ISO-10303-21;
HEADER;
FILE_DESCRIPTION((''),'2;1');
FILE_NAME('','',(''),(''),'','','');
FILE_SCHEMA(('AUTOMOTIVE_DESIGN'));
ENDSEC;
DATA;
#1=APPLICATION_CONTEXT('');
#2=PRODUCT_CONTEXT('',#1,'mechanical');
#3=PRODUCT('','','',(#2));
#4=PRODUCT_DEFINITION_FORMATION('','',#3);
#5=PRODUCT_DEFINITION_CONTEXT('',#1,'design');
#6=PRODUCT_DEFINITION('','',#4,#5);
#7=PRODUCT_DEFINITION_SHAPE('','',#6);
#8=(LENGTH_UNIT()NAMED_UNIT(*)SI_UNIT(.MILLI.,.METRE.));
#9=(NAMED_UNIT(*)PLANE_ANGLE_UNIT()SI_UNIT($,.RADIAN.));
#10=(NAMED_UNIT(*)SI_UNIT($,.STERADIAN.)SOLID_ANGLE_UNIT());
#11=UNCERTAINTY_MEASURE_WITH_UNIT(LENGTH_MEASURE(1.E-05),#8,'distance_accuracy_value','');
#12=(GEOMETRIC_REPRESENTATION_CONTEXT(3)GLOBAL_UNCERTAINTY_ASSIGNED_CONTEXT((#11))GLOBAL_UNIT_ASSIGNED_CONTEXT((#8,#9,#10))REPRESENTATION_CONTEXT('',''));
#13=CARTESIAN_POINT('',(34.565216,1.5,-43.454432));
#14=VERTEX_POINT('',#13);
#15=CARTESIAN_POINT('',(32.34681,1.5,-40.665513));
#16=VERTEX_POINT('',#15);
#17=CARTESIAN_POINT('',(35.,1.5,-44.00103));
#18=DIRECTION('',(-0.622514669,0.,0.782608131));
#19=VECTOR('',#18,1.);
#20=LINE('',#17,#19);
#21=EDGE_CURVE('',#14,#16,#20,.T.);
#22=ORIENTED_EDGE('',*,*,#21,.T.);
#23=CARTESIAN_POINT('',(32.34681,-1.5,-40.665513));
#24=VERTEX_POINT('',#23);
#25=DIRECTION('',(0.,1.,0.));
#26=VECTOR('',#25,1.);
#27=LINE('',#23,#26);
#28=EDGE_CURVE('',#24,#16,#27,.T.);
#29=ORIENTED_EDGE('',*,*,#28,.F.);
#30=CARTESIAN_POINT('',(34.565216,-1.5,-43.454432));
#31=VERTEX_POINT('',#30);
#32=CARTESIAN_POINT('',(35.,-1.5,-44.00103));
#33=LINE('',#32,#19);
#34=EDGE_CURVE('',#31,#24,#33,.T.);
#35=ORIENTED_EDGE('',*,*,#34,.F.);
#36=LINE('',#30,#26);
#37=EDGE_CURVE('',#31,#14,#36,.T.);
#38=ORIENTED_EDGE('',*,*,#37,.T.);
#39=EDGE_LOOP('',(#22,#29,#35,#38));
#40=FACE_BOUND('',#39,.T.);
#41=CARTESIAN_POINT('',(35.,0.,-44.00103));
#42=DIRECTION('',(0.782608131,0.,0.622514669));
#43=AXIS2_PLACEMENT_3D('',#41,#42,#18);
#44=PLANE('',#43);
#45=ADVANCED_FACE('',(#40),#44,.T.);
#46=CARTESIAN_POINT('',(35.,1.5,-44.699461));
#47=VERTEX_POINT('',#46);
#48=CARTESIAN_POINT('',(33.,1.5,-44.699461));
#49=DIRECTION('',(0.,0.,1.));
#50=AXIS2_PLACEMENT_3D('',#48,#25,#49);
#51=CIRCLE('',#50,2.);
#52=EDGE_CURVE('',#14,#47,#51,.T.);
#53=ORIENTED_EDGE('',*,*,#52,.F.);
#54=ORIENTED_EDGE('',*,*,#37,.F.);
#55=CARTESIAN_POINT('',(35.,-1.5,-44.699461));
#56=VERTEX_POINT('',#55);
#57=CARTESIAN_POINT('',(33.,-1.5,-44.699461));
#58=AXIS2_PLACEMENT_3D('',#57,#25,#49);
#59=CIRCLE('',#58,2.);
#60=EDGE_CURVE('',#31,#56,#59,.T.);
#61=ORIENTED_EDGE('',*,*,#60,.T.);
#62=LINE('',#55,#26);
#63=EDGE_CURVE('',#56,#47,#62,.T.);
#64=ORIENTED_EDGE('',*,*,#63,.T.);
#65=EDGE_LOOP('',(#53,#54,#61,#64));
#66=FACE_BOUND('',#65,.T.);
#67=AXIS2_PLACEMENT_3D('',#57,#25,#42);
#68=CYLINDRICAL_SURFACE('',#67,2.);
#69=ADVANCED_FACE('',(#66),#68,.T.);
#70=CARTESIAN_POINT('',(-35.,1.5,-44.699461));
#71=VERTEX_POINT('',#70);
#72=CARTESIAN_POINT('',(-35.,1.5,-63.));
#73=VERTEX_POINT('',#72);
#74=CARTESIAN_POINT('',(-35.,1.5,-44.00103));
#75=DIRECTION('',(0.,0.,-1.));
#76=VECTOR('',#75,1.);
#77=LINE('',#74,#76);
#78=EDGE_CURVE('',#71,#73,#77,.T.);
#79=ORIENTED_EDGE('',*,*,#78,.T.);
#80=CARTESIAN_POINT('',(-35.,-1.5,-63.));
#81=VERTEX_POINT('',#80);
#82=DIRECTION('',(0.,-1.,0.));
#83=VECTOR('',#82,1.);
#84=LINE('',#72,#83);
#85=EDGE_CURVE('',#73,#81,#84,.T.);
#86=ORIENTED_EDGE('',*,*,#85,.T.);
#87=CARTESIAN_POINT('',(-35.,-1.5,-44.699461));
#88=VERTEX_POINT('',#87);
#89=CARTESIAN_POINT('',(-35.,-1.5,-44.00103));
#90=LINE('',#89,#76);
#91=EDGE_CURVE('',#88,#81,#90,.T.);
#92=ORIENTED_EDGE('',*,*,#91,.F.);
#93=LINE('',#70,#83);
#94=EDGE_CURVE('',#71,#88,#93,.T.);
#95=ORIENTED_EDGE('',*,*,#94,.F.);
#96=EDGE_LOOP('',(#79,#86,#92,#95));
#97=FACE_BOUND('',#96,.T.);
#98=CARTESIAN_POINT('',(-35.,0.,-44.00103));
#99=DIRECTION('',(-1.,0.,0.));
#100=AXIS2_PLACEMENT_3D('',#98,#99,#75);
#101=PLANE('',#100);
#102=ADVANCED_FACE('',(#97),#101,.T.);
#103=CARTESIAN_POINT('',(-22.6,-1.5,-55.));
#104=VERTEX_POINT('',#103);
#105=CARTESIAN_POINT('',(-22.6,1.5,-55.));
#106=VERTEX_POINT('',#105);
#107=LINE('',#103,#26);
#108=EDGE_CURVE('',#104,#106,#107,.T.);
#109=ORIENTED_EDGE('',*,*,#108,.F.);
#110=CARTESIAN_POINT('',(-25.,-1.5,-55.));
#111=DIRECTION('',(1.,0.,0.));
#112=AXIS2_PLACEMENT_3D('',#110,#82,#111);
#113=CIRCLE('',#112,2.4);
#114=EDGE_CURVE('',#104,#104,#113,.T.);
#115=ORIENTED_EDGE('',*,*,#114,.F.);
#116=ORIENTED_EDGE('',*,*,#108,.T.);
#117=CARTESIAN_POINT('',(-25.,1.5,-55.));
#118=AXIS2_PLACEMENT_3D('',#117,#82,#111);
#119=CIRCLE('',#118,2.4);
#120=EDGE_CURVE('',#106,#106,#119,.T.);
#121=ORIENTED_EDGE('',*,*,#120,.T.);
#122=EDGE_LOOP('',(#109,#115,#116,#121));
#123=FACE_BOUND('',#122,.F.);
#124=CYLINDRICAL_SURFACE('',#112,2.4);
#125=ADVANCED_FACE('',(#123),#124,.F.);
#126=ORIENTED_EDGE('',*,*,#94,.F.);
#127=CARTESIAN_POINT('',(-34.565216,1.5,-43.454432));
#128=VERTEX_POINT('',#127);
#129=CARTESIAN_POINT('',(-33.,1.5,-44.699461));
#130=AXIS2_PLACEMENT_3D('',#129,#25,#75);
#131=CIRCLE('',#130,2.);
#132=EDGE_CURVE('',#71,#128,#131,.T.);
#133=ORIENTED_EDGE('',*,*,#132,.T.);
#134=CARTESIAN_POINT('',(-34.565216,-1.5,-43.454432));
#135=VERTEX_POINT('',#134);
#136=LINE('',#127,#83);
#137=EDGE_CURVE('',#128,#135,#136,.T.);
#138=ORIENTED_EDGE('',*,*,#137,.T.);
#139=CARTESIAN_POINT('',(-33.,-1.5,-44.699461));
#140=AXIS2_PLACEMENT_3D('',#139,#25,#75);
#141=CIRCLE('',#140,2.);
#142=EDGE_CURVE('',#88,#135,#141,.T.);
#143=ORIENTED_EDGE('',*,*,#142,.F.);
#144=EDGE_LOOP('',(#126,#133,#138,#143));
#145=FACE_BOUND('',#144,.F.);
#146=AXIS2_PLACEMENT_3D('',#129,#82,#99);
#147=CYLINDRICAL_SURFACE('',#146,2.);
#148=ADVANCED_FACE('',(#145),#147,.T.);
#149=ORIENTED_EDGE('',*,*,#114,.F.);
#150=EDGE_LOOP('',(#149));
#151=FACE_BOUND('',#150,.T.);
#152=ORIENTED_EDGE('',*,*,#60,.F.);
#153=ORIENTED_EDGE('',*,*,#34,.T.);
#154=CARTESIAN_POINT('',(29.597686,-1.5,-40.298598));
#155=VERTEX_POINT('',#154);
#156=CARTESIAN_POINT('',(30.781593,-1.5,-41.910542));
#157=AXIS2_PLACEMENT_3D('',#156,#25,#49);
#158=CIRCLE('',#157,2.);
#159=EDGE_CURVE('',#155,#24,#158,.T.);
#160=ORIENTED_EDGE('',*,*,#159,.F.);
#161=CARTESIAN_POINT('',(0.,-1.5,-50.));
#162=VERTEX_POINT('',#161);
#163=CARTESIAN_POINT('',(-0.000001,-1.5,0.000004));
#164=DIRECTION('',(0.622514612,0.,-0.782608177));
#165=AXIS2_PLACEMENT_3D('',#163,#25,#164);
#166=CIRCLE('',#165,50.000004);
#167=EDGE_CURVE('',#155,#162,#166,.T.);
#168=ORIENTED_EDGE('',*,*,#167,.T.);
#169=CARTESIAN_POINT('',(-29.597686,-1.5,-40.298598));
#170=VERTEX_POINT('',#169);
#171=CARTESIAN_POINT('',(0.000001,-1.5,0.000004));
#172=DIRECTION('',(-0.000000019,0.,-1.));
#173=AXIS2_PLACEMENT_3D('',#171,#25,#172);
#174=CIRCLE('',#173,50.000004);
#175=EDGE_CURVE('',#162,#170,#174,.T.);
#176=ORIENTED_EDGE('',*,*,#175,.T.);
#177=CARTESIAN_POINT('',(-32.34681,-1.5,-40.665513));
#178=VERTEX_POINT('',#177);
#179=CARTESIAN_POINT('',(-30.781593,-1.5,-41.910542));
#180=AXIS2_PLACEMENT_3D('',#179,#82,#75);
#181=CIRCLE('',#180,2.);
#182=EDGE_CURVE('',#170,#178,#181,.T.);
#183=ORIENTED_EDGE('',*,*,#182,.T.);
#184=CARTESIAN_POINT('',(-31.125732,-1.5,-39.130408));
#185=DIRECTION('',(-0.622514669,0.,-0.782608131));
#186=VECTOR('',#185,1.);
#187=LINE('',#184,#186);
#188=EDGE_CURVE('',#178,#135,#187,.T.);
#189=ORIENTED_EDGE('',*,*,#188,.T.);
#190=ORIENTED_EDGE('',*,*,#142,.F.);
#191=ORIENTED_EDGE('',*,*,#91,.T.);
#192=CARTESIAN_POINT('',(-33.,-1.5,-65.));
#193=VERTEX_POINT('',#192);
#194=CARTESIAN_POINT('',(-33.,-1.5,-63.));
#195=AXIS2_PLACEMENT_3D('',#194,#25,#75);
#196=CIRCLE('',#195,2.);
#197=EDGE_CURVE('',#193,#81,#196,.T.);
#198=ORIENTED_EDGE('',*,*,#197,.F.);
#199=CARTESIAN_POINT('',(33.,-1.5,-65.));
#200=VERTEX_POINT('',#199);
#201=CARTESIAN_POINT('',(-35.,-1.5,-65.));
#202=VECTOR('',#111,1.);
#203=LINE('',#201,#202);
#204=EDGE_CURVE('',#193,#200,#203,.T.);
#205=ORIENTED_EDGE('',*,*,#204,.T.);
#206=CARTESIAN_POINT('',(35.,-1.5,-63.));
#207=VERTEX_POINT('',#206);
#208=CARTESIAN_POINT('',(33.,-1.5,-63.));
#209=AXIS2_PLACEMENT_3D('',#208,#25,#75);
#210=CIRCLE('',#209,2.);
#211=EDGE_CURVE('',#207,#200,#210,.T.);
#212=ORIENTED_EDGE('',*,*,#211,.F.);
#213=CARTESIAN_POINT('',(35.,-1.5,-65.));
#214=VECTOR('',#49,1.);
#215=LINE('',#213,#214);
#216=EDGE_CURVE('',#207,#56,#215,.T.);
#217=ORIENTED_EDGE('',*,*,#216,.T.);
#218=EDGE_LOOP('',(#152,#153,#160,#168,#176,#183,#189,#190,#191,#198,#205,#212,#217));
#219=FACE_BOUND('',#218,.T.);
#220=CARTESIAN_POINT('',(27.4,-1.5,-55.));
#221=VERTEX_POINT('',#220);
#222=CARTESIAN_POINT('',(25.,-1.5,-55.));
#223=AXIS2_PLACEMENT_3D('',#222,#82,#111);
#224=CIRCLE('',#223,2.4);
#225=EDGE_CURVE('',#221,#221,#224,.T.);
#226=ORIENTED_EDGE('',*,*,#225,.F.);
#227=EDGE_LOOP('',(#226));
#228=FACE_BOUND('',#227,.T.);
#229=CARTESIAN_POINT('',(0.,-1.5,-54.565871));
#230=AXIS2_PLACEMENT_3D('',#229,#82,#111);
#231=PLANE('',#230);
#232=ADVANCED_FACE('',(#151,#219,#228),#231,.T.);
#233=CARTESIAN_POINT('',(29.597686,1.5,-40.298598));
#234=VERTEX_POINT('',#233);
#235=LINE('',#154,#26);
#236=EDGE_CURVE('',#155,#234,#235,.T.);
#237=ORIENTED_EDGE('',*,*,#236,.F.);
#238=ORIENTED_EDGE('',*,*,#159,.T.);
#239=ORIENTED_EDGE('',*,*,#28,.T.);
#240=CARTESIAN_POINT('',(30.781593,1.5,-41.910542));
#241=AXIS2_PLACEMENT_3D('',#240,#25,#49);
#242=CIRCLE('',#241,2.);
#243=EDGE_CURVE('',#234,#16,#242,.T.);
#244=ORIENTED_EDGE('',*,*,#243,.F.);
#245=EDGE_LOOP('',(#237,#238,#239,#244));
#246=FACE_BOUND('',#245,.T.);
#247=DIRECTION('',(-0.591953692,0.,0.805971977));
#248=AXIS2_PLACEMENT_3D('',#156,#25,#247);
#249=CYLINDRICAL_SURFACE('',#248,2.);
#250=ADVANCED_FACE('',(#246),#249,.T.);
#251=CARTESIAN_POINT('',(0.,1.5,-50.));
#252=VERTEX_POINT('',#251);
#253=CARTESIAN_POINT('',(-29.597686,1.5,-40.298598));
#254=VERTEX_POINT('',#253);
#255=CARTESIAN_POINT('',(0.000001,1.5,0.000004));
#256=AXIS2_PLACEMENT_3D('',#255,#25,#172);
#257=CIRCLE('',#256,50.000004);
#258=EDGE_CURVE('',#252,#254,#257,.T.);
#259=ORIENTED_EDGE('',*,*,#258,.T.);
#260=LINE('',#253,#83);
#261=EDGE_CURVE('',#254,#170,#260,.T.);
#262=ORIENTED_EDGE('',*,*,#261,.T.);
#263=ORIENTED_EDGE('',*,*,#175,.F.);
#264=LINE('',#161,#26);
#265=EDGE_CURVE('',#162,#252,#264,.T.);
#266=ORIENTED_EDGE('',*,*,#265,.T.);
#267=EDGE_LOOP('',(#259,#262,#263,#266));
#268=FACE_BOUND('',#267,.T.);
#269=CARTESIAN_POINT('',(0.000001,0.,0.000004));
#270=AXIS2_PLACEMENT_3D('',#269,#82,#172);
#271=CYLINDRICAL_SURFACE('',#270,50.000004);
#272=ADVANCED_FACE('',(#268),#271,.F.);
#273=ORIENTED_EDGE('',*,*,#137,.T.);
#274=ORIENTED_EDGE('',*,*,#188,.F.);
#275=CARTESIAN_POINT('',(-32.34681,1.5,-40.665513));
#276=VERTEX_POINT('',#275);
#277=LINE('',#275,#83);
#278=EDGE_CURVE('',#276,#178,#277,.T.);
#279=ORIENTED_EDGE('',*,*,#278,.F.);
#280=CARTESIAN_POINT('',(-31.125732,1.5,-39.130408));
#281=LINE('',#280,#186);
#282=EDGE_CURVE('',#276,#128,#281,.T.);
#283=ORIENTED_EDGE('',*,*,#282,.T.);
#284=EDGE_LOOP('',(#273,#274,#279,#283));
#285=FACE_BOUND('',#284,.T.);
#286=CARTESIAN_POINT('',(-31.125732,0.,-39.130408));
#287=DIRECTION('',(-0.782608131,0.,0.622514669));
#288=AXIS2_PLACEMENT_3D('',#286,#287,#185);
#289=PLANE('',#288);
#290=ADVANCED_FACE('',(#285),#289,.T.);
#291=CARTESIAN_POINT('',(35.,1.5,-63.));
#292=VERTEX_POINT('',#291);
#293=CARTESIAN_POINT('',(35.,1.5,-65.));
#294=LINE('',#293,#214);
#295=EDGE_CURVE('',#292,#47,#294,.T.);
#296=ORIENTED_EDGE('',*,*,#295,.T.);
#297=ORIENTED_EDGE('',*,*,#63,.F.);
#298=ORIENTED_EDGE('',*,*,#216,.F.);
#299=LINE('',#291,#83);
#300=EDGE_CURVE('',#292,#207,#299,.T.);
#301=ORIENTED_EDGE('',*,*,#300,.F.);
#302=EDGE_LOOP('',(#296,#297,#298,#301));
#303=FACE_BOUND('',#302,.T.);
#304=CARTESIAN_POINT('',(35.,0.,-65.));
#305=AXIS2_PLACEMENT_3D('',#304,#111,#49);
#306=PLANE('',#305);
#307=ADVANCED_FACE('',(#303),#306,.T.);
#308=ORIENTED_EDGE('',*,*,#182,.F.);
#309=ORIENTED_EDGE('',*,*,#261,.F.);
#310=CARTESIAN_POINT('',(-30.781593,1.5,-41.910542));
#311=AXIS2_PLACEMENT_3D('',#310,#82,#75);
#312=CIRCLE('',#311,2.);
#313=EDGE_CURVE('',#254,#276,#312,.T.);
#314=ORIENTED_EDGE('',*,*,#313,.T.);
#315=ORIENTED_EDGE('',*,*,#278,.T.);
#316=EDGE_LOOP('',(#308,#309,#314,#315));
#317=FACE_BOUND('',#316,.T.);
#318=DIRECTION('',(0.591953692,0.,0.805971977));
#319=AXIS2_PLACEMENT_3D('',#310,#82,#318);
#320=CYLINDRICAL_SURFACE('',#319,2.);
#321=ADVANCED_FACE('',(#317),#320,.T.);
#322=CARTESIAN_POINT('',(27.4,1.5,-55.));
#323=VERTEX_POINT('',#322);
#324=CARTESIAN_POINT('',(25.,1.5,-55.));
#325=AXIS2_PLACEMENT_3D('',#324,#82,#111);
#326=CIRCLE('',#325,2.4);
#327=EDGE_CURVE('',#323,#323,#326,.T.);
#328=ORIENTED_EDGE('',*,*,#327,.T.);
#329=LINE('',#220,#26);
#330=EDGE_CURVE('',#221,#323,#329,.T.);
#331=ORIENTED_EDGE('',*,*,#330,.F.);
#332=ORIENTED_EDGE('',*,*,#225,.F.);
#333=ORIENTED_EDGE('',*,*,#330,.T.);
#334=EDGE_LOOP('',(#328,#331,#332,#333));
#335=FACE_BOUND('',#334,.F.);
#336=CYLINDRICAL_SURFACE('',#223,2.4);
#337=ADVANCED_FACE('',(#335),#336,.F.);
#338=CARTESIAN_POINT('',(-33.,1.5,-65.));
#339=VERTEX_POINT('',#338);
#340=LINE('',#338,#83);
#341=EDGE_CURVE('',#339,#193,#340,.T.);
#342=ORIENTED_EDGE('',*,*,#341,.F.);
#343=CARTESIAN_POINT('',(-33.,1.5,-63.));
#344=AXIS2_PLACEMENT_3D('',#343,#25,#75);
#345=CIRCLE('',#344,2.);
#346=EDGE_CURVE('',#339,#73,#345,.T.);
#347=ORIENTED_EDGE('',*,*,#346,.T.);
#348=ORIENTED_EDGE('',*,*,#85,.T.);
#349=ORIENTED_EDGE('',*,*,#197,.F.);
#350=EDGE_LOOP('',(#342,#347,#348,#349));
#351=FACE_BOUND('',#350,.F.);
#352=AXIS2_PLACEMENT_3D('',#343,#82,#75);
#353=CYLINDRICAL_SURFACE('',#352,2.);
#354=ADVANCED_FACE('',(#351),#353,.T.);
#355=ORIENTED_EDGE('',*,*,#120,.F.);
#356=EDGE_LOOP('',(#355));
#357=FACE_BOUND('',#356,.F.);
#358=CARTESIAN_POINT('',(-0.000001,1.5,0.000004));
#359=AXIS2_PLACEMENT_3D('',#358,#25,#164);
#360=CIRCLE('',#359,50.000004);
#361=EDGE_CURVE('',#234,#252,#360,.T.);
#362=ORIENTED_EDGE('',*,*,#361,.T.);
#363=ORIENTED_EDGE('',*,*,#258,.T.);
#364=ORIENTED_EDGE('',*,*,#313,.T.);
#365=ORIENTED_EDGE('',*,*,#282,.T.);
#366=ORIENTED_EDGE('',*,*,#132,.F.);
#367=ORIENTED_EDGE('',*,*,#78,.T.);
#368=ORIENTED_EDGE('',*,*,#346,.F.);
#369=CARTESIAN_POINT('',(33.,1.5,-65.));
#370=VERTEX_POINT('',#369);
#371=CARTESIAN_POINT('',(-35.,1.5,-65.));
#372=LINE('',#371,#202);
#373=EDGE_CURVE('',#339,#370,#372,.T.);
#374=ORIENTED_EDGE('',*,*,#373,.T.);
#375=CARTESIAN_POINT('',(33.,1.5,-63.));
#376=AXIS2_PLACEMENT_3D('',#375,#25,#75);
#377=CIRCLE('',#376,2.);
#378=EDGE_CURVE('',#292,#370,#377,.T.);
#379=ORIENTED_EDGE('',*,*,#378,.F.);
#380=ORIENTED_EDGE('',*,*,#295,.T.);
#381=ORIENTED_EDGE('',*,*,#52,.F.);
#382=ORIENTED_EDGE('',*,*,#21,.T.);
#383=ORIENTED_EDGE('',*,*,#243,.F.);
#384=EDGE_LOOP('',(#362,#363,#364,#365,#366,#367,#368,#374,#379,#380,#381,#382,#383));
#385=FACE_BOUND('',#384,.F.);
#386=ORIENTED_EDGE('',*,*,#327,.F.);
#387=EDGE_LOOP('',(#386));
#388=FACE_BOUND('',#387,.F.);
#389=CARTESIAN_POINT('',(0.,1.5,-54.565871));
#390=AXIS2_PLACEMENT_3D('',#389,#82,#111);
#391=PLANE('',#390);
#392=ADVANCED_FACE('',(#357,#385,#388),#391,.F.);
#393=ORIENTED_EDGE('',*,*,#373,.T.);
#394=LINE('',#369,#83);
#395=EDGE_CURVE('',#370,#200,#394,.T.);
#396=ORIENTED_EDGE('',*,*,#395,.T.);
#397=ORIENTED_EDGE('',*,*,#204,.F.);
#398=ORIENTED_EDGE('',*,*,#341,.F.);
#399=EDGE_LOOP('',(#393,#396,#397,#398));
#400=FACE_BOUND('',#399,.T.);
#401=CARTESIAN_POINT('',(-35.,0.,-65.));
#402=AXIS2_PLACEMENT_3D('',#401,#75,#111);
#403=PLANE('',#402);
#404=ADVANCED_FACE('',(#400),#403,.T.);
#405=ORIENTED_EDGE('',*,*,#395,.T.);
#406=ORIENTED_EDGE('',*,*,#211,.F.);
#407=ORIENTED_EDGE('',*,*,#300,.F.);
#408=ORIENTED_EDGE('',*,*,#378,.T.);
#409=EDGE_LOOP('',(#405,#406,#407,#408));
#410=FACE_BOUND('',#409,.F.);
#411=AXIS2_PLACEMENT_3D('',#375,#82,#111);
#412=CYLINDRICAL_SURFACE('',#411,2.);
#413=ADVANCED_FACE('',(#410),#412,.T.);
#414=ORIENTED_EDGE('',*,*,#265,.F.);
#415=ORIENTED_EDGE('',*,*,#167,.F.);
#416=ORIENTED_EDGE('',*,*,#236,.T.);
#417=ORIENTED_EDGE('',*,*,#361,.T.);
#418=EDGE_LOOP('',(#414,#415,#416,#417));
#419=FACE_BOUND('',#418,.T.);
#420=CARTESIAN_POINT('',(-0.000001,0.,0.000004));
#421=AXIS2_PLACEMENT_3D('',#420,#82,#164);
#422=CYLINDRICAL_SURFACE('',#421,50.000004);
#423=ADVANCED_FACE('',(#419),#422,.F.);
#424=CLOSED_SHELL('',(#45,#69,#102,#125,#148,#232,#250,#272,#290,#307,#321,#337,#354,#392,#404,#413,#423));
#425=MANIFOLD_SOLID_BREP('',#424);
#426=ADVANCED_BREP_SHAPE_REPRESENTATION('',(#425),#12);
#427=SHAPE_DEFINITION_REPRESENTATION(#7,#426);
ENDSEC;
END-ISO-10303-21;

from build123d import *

# Parameters (mm, degrees)
F1_DEPTH = 1.5
F2_R     = 2
F3_R     = 2.4
F4_DEPTH = 25


with BuildPart() as f1:
    # F0 (on Front) → F1 (new body, symmetric)
    with BuildSketch(Plane.XZ):
        with BuildLine():
            ThreePointArc((0, -50), (-16.484532, -47.204451), (-31.125732, -39.130408))
            Line((-31.125732, -39.130408), (-35, -44.00103))
            Line((-35, -44.00103), (-35, -65))
            Line((-35, -65), (35, -65))
            Line((35, -65), (35, -44.00103))
            Line((35, -44.00103), (31.125732, -39.130408))
            ThreePointArc((31.125732, -39.130408), (16.484532, -47.204451), (0, -50))
        make_face()
    extrude(amount=F1_DEPTH, both=True)

    # F2
    f2_edges = [f1.edges().sort_by_distance(p)[0] for p in [
        (31.125732, 0, -39.130408),
        (35, 0, -44.00103),
        (35, 0, -65),
        (-31.125732, 0, -39.130408),
        (-35, 0, -44.00103),
        (-35, 0, -65),
    ]]
    fillet(f2_edges, radius=F2_R)

    # F3 (on face) → F4 (cut)
    with BuildSketch(Plane.XZ.offset(1.5)):
        with Locations((-25, -55)):
            Circle(F3_R)
        with Locations((25, -55)):
            Circle(F3_R)
    extrude(amount=-F4_DEPTH, mode=Mode.SUBTRACT)


solid = f1.part
